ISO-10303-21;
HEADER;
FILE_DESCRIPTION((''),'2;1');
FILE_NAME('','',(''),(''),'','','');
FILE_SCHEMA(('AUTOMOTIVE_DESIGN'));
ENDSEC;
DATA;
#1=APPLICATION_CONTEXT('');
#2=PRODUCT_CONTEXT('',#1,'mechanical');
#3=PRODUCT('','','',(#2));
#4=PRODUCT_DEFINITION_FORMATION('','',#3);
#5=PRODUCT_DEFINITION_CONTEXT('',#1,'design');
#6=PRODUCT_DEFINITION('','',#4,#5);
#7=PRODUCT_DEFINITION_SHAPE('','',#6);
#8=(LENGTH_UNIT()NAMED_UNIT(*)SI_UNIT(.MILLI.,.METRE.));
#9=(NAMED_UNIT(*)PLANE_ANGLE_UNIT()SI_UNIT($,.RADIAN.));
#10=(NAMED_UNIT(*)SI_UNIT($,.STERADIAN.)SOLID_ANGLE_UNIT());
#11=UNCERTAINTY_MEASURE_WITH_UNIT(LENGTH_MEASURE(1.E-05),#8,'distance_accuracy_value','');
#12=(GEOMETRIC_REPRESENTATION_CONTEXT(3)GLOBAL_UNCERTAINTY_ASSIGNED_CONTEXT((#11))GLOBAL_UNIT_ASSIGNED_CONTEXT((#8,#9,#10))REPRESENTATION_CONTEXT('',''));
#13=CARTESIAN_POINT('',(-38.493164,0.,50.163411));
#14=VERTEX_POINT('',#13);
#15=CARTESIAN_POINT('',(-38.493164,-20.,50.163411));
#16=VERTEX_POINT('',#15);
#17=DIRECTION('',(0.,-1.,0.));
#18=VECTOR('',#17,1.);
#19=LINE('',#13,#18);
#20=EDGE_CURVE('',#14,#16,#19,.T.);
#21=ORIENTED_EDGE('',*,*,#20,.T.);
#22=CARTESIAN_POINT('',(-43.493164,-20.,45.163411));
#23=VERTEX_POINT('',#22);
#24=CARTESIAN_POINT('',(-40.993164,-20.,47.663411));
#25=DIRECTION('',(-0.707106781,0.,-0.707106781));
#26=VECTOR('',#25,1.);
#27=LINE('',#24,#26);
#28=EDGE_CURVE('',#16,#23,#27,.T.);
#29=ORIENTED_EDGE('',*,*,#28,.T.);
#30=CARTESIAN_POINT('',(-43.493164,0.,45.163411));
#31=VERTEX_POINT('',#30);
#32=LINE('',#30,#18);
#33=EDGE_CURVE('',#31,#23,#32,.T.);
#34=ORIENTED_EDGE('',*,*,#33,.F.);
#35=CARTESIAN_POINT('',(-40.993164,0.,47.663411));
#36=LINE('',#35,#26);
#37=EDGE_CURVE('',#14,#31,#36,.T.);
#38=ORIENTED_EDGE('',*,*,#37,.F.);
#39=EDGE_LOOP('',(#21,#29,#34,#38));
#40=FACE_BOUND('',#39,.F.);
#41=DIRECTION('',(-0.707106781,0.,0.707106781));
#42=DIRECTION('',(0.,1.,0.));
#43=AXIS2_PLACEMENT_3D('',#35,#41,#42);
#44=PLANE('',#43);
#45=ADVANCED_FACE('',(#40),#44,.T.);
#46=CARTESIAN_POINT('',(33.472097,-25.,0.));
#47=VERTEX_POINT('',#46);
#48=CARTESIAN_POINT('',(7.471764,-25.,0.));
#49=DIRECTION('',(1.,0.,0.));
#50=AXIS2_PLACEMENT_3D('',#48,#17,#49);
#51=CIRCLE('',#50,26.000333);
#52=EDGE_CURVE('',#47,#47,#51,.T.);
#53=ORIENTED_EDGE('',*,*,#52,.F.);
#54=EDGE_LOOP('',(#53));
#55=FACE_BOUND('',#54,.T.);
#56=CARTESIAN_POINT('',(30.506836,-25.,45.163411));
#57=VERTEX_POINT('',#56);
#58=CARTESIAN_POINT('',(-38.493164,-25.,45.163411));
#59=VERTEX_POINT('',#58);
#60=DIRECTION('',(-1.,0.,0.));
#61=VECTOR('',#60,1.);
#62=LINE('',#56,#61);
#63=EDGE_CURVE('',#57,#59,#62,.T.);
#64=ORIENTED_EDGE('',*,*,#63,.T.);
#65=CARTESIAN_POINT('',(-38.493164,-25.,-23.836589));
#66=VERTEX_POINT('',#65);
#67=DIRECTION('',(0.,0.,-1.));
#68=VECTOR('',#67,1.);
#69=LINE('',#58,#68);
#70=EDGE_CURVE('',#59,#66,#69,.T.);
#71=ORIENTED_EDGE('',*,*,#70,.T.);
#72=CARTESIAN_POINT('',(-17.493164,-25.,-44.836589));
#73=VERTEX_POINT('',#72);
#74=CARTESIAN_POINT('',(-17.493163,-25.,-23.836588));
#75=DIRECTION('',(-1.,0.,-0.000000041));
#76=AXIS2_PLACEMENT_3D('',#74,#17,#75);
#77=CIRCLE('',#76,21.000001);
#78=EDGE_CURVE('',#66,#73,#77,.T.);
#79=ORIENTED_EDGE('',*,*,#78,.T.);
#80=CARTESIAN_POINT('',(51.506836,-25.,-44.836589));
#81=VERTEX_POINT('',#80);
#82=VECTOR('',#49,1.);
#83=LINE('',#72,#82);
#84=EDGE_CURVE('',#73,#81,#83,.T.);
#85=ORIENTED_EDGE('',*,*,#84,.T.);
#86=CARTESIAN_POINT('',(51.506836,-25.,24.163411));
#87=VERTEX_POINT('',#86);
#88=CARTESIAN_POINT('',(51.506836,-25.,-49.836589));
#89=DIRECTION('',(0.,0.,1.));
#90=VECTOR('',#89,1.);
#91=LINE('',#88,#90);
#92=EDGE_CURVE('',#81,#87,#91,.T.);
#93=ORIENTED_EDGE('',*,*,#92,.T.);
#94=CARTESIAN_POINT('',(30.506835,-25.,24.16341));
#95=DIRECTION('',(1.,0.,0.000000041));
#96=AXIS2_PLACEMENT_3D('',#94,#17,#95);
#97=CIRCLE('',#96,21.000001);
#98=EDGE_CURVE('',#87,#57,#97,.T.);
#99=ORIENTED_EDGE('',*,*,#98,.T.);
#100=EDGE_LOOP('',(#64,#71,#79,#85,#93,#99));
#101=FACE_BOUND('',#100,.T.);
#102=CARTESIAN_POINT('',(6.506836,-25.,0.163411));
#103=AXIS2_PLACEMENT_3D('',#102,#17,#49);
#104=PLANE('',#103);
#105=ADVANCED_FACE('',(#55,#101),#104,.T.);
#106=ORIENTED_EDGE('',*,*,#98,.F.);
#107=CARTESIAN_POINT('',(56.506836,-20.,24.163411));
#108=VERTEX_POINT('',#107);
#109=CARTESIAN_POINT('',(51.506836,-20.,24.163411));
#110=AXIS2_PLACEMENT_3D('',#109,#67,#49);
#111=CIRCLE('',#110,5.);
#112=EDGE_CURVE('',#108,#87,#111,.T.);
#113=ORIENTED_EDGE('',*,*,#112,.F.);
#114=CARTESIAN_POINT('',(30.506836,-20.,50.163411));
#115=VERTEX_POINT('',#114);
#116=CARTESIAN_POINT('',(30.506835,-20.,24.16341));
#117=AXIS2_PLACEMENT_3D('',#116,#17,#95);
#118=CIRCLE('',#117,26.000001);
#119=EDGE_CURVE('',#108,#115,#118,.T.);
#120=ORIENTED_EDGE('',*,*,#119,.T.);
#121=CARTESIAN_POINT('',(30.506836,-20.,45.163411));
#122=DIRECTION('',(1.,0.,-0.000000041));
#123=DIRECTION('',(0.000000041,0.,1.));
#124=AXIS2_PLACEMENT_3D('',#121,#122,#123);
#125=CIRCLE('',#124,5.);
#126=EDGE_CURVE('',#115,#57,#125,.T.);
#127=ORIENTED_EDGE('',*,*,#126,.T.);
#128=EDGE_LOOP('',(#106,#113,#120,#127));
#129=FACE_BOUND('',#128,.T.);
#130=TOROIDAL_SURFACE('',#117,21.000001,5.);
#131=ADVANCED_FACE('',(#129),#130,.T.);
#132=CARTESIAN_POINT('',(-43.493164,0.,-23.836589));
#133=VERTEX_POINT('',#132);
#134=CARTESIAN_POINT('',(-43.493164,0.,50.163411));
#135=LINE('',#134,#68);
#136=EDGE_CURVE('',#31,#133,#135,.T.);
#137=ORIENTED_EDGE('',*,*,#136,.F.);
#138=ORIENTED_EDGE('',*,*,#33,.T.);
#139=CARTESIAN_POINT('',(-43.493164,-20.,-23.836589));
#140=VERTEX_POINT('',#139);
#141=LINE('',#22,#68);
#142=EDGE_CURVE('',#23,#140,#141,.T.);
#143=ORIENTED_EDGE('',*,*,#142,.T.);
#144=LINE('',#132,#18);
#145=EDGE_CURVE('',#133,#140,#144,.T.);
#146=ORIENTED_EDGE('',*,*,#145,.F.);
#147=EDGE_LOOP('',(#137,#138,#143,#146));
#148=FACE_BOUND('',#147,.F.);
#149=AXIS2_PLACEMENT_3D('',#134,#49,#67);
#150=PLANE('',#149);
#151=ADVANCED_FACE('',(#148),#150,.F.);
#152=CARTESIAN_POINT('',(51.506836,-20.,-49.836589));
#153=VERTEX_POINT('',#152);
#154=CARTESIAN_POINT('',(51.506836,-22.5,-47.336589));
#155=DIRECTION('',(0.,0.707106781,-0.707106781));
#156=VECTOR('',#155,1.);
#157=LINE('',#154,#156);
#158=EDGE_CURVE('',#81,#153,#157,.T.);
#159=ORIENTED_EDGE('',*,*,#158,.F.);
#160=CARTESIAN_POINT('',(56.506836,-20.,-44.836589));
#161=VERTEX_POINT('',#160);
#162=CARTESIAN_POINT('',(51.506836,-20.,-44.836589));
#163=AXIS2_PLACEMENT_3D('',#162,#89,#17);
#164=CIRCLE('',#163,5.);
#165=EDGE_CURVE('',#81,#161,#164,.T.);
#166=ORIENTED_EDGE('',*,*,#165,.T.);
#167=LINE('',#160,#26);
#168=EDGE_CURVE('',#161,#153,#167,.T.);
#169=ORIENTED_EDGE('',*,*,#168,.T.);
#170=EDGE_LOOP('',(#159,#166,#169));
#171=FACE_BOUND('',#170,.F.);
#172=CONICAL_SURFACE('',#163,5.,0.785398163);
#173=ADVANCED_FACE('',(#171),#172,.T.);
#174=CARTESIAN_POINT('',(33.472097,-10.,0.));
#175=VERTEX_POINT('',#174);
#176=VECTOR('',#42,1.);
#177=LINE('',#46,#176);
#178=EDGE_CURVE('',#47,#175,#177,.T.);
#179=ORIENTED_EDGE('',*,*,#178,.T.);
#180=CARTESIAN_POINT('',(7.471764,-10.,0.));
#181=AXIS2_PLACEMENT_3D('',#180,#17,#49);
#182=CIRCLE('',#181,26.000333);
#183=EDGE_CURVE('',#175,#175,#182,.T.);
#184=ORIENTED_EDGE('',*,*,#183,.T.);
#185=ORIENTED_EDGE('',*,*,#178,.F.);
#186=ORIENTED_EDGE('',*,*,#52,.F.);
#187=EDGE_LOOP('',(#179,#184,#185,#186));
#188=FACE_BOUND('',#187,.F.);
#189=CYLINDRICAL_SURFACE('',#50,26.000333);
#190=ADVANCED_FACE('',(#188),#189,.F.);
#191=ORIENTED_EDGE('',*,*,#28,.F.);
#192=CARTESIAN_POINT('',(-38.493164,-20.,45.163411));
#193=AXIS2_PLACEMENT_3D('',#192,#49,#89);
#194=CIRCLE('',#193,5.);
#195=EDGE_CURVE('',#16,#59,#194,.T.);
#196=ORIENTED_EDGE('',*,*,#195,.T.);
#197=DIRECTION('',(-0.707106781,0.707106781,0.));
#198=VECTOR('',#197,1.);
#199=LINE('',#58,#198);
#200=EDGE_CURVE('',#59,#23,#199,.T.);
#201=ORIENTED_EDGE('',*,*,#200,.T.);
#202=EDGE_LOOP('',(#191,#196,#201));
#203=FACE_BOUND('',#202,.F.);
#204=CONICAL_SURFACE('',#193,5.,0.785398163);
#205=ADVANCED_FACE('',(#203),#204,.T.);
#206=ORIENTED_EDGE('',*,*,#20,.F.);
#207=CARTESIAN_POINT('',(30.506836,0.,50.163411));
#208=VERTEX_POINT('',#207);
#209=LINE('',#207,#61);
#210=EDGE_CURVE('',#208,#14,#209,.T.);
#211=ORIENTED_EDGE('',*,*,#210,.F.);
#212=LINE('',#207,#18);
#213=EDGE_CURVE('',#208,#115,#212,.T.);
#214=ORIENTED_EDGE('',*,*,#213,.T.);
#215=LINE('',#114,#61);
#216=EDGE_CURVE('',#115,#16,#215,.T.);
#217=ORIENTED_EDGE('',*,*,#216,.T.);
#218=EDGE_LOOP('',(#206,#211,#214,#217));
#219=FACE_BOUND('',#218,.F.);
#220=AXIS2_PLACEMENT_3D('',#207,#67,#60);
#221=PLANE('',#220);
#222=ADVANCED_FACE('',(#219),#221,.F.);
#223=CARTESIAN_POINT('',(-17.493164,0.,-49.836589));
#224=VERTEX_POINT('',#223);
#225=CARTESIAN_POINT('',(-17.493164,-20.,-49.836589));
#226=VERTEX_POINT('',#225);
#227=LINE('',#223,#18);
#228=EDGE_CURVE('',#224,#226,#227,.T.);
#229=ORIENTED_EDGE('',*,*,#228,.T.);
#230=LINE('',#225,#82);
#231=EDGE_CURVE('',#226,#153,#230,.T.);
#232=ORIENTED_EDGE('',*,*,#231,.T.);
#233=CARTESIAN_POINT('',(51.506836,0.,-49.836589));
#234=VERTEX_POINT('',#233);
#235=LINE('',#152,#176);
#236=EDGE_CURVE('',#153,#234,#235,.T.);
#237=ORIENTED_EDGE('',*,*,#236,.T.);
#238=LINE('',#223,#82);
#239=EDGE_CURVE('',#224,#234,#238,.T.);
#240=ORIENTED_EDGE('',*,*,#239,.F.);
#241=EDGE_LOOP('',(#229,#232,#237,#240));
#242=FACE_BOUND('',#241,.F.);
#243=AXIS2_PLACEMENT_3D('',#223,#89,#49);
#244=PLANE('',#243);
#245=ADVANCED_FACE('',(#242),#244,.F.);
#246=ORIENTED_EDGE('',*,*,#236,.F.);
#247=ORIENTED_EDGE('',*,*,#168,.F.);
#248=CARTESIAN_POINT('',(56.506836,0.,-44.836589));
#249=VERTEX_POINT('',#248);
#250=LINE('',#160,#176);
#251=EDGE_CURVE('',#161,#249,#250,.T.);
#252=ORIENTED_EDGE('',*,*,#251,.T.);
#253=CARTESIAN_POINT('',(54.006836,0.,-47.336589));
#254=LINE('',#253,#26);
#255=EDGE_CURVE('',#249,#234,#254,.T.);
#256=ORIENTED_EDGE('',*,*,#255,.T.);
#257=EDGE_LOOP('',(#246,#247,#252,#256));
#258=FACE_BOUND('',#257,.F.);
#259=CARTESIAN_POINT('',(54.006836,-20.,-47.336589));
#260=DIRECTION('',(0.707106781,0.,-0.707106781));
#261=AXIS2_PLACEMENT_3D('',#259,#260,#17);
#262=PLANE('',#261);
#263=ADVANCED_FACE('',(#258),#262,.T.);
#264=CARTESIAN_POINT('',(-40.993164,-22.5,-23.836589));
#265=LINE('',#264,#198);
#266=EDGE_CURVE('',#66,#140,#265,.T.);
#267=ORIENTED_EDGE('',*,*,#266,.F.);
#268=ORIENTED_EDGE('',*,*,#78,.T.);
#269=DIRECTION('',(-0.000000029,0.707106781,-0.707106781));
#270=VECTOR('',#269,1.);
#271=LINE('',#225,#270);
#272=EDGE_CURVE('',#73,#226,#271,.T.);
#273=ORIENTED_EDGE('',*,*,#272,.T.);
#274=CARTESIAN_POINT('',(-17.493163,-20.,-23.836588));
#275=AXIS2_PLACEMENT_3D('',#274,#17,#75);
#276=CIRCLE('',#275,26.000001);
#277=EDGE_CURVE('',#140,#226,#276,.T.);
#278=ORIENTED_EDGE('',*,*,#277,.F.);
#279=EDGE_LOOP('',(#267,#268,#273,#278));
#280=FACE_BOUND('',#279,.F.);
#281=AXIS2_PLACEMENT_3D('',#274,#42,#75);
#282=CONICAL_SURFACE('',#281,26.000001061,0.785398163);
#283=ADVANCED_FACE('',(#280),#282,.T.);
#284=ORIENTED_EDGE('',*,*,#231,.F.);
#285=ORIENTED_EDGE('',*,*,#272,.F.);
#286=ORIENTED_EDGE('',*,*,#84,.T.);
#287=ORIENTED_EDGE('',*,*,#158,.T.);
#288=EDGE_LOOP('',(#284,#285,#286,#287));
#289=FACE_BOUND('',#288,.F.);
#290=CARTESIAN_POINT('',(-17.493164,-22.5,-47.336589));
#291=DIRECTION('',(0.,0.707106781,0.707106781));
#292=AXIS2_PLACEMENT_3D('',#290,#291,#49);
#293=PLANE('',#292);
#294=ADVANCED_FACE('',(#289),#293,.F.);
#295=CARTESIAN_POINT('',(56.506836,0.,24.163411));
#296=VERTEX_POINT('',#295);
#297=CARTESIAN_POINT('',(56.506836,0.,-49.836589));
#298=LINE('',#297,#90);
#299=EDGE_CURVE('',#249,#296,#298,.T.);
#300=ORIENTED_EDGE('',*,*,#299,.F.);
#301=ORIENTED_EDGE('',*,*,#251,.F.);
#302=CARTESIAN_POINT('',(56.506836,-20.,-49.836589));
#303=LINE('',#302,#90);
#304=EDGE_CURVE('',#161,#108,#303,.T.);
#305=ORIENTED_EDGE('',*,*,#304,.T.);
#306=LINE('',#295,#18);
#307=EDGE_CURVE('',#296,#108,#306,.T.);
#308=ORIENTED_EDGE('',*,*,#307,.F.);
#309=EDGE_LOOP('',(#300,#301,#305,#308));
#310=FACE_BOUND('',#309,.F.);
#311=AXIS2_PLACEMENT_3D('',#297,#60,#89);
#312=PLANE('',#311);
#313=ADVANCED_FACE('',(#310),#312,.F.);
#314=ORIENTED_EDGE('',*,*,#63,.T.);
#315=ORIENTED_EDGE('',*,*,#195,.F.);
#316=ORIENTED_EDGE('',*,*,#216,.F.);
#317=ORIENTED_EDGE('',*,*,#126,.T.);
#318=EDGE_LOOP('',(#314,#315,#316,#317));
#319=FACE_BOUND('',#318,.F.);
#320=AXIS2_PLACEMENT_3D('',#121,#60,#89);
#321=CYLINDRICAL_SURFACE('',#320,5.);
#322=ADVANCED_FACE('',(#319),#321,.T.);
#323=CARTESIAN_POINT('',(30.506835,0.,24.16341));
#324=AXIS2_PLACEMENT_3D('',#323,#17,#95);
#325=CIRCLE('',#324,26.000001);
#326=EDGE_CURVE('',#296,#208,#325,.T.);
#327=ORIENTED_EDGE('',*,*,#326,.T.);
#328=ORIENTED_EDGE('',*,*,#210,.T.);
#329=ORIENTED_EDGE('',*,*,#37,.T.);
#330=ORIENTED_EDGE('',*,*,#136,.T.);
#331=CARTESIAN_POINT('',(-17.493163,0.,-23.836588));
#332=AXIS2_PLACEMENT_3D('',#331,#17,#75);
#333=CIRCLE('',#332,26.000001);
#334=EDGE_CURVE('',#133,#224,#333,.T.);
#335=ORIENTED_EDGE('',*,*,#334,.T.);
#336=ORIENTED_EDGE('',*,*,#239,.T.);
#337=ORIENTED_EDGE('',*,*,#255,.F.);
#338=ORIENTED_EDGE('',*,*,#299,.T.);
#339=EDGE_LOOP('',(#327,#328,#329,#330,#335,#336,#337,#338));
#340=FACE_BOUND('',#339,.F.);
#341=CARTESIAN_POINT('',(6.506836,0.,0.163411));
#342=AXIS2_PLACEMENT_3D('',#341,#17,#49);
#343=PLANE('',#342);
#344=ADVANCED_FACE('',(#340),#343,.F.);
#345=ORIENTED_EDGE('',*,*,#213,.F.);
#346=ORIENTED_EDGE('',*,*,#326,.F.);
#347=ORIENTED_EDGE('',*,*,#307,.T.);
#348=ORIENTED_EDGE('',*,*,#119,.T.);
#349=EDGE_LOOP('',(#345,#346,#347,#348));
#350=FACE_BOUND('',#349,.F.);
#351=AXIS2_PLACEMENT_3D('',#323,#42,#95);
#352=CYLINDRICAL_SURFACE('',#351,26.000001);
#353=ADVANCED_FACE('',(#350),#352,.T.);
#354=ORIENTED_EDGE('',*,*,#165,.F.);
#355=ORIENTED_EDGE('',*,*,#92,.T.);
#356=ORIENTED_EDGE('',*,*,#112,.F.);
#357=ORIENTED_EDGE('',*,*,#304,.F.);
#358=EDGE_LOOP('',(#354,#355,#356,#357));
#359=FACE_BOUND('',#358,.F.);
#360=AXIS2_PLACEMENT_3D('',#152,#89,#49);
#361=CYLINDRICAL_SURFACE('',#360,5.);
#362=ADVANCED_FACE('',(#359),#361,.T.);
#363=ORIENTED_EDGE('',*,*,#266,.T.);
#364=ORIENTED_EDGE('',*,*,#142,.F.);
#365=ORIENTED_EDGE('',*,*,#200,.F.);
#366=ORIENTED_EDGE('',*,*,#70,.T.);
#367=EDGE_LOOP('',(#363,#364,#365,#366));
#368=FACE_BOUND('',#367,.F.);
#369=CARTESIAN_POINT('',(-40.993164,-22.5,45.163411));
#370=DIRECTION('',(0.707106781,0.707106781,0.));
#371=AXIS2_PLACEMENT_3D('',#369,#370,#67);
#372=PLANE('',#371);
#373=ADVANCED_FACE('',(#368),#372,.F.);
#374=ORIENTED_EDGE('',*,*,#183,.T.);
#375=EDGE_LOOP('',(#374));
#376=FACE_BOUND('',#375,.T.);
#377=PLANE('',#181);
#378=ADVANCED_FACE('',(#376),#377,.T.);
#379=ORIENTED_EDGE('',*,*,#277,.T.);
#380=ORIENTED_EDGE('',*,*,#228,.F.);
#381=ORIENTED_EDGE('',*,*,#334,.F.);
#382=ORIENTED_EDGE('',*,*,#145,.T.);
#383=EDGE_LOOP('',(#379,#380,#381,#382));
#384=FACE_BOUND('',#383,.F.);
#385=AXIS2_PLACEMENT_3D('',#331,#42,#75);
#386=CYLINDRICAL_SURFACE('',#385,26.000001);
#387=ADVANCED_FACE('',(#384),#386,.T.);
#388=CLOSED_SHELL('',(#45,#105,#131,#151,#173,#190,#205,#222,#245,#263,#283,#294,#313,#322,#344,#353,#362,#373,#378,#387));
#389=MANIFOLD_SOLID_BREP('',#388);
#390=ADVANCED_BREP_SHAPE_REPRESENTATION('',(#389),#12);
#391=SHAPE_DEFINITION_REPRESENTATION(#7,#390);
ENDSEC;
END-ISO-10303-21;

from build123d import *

# Parameters (mm, degrees)
F1_DEPTH = 25
F2_R     = 5
F3_SIZE  = 5
F4_R     = 26.000333
F5_DEPTH = 15


with BuildPart() as f1:
    # F0 (on Front) → F1 (new body)
    with BuildSketch(Plane.XZ):
        with BuildLine():
            Line((30.506836, 50.163411), (-43.493164, 50.163411))
            Line((-43.493164, 50.163411), (-43.493164, -23.836589))
            ThreePointArc((-43.493164, -23.836589), (-35.87794, -42.221365), (-17.493164, -49.836589))
            Line((-17.493164, -49.836589), (56.506836, -49.836589))
            Line((56.506836, -49.836589), (56.506836, 24.163411))
            ThreePointArc((56.506836, 24.163411), (48.891612, 42.548187), (30.506836, 50.163411))
        make_face()
    extrude(amount=F1_DEPTH)

    # F2
    f2_edges = [f1.edges().sort_by_distance(p)[0] for p in [
        (-6.493164, -25, 50.163411),
    ]]
    fillet(f2_edges, radius=F2_R)

    # F3
    f3_edges = [f1.edges().sort_by_distance(p)[0] for p in [
        (-43.493164, -10, 50.163411),
    ]]
    chamfer(f3_edges, length=F3_SIZE)

    # F4 (on face) → F5 (cut)
    with BuildSketch(Plane.XZ.offset(25)):
        with Locations((7.471764, 0)):
            Circle(F4_R)
    extrude(amount=-F5_DEPTH, mode=Mode.SUBTRACT)


solid = f1.part
